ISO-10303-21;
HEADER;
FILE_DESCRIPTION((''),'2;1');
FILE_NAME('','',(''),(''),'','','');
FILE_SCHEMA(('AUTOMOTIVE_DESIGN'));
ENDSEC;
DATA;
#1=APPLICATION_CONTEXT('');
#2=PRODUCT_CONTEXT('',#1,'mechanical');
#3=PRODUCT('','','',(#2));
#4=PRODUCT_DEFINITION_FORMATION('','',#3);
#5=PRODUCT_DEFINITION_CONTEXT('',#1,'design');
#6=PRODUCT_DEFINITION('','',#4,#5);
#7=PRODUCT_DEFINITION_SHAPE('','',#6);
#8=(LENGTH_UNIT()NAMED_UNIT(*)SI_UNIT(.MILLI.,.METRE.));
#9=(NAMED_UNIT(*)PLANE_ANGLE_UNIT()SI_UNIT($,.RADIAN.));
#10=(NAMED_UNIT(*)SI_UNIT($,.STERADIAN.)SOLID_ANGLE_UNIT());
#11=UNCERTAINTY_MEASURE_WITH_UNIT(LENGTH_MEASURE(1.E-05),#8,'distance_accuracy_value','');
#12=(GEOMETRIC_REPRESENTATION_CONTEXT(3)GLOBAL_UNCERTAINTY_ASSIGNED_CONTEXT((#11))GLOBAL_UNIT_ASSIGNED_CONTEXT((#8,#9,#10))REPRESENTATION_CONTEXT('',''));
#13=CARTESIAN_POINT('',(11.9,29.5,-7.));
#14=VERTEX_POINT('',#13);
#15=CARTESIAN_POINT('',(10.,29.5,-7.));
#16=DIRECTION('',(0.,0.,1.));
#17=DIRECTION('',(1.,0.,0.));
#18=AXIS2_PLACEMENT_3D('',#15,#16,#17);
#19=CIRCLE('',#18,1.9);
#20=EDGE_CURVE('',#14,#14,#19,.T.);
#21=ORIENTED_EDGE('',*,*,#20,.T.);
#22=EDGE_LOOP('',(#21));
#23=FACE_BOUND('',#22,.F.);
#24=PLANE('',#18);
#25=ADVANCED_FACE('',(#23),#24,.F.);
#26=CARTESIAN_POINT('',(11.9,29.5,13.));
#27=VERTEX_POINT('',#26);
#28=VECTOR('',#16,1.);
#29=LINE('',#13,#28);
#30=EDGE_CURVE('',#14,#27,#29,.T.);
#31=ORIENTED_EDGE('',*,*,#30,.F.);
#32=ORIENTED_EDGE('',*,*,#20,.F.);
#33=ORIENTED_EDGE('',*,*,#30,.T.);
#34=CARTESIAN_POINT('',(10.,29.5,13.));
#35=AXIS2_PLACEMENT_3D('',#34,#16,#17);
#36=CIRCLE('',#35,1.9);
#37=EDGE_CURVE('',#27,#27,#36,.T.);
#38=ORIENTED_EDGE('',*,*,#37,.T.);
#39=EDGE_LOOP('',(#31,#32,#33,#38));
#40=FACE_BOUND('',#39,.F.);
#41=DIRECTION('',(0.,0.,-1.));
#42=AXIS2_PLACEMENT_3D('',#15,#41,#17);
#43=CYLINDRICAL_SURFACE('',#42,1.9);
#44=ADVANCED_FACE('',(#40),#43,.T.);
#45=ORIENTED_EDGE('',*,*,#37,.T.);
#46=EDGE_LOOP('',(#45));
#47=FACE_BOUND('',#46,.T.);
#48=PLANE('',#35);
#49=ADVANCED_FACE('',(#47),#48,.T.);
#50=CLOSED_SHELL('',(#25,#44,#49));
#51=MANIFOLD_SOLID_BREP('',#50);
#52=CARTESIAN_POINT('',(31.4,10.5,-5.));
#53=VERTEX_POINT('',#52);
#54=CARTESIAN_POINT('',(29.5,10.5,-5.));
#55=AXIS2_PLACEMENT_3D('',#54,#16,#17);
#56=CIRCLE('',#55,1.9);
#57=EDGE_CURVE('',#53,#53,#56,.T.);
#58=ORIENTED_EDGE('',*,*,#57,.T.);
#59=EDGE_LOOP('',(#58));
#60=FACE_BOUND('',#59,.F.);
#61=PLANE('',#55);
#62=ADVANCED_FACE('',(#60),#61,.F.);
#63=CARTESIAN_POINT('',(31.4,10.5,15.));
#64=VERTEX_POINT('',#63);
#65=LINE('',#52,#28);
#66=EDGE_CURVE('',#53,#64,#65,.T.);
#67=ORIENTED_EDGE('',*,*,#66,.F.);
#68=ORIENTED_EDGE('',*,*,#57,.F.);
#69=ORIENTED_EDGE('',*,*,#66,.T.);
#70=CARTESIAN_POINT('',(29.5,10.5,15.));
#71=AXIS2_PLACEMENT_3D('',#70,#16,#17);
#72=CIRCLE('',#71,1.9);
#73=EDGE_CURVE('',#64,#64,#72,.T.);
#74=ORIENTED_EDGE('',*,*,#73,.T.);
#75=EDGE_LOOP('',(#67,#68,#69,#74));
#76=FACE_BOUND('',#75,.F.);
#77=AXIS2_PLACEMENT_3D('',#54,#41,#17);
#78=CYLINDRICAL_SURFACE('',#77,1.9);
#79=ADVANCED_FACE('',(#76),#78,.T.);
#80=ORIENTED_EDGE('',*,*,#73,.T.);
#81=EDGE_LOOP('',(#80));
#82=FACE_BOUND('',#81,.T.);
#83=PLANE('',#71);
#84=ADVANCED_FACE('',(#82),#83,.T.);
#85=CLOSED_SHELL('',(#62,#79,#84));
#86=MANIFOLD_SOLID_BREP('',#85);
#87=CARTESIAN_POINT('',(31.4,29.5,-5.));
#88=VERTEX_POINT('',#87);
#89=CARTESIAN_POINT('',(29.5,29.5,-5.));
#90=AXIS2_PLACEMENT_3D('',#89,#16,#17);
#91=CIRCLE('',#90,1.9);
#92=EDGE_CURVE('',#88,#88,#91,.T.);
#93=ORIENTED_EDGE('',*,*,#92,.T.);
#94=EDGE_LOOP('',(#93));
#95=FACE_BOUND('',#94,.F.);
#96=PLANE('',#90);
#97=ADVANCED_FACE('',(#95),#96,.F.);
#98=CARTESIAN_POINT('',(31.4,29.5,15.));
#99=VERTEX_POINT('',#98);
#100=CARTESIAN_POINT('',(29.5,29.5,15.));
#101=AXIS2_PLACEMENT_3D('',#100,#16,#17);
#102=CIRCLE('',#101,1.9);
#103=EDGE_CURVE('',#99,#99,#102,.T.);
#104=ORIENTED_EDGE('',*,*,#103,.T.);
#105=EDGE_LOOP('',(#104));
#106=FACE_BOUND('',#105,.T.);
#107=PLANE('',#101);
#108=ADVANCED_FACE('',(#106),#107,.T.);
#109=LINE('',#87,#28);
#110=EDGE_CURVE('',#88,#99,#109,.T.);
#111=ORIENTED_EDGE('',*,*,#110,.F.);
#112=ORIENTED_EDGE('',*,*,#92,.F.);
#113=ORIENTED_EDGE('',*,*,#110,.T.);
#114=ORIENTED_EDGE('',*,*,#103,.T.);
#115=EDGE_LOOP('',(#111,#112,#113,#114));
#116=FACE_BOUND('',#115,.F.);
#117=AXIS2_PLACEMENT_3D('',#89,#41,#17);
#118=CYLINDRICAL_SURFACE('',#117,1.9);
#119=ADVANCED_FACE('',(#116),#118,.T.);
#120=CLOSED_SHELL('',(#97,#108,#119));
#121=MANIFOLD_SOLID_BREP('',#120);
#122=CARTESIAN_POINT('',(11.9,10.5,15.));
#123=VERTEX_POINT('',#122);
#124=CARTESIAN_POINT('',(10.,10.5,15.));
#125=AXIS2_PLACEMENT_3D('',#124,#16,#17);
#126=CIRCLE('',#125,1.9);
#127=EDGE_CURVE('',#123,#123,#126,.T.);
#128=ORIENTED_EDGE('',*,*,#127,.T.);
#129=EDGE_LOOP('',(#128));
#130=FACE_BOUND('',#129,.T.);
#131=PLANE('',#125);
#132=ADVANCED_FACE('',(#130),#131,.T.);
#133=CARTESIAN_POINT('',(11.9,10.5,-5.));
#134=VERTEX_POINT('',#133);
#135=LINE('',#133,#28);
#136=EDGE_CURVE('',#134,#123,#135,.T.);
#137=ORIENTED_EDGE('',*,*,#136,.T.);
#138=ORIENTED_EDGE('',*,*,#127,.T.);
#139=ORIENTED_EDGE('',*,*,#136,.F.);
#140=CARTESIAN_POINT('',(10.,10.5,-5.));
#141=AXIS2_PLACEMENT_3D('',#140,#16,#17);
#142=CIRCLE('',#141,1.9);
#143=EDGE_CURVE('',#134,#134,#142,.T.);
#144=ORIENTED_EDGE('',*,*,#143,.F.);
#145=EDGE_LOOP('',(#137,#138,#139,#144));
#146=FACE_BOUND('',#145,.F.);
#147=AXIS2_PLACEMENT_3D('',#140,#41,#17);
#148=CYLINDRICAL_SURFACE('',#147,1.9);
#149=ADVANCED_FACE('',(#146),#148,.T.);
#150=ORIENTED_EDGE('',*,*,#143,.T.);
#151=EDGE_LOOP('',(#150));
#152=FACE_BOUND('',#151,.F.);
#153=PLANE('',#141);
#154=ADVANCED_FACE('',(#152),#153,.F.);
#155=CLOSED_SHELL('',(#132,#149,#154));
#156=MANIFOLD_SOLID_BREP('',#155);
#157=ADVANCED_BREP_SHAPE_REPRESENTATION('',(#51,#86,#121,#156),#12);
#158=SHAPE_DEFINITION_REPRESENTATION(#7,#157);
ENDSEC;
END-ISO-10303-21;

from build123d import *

# Parameters (mm, degrees)
CYLINDER009_R     = 1.9
CYLINDER009_DEPTH = 20
CYLINDER011_R     = 1.9
CYLINDER011_DEPTH = 20
CYLINDER010_R     = 1.9
CYLINDER010_DEPTH = 20
CYLINDER008_R     = 1.9
CYLINDER008_DEPTH = 20


with BuildPart() as cylinder009:
    # Cylinder009 → Cylinder009 (new body)
    with BuildSketch(Plane(origin=(29.5, 10.5, -5), x_dir=(1, 0, 0), z_dir=(0, 0, 1))):
        Circle(CYLINDER009_R)
    extrude(amount=CYLINDER009_DEPTH)


with BuildPart() as cylinder011:
    # Cylinder011 → Cylinder011 (new body)
    with BuildSketch(Plane(origin=(10, 29.5, -7), x_dir=(1, 0, 0), z_dir=(0, 0, 1))):
        Circle(CYLINDER011_R)
    extrude(amount=CYLINDER011_DEPTH)


with BuildPart() as cylinder010:
    # Cylinder010 → Cylinder010 (new body)
    with BuildSketch(Plane(origin=(29.5, 29.5, -5), x_dir=(1, 0, 0), z_dir=(0, 0, 1))):
        Circle(CYLINDER010_R)
    extrude(amount=CYLINDER010_DEPTH)


with BuildPart() as m2_screw_holes:
    # Cylinder008 → Cylinder008 (new body)
    with BuildSketch(Plane(origin=(10, 10.5, -5), x_dir=(1, 0, 0), z_dir=(0, 0, 1))):
        Circle(CYLINDER008_R)
    extrude(amount=CYLINDER008_DEPTH)

    # Fusion021: union Cylinder009, Cylinder011, Cylinder010
    add(cylinder009.part)
    add(cylinder011.part)
    add(cylinder010.part)


solid = m2_screw_holes.part
